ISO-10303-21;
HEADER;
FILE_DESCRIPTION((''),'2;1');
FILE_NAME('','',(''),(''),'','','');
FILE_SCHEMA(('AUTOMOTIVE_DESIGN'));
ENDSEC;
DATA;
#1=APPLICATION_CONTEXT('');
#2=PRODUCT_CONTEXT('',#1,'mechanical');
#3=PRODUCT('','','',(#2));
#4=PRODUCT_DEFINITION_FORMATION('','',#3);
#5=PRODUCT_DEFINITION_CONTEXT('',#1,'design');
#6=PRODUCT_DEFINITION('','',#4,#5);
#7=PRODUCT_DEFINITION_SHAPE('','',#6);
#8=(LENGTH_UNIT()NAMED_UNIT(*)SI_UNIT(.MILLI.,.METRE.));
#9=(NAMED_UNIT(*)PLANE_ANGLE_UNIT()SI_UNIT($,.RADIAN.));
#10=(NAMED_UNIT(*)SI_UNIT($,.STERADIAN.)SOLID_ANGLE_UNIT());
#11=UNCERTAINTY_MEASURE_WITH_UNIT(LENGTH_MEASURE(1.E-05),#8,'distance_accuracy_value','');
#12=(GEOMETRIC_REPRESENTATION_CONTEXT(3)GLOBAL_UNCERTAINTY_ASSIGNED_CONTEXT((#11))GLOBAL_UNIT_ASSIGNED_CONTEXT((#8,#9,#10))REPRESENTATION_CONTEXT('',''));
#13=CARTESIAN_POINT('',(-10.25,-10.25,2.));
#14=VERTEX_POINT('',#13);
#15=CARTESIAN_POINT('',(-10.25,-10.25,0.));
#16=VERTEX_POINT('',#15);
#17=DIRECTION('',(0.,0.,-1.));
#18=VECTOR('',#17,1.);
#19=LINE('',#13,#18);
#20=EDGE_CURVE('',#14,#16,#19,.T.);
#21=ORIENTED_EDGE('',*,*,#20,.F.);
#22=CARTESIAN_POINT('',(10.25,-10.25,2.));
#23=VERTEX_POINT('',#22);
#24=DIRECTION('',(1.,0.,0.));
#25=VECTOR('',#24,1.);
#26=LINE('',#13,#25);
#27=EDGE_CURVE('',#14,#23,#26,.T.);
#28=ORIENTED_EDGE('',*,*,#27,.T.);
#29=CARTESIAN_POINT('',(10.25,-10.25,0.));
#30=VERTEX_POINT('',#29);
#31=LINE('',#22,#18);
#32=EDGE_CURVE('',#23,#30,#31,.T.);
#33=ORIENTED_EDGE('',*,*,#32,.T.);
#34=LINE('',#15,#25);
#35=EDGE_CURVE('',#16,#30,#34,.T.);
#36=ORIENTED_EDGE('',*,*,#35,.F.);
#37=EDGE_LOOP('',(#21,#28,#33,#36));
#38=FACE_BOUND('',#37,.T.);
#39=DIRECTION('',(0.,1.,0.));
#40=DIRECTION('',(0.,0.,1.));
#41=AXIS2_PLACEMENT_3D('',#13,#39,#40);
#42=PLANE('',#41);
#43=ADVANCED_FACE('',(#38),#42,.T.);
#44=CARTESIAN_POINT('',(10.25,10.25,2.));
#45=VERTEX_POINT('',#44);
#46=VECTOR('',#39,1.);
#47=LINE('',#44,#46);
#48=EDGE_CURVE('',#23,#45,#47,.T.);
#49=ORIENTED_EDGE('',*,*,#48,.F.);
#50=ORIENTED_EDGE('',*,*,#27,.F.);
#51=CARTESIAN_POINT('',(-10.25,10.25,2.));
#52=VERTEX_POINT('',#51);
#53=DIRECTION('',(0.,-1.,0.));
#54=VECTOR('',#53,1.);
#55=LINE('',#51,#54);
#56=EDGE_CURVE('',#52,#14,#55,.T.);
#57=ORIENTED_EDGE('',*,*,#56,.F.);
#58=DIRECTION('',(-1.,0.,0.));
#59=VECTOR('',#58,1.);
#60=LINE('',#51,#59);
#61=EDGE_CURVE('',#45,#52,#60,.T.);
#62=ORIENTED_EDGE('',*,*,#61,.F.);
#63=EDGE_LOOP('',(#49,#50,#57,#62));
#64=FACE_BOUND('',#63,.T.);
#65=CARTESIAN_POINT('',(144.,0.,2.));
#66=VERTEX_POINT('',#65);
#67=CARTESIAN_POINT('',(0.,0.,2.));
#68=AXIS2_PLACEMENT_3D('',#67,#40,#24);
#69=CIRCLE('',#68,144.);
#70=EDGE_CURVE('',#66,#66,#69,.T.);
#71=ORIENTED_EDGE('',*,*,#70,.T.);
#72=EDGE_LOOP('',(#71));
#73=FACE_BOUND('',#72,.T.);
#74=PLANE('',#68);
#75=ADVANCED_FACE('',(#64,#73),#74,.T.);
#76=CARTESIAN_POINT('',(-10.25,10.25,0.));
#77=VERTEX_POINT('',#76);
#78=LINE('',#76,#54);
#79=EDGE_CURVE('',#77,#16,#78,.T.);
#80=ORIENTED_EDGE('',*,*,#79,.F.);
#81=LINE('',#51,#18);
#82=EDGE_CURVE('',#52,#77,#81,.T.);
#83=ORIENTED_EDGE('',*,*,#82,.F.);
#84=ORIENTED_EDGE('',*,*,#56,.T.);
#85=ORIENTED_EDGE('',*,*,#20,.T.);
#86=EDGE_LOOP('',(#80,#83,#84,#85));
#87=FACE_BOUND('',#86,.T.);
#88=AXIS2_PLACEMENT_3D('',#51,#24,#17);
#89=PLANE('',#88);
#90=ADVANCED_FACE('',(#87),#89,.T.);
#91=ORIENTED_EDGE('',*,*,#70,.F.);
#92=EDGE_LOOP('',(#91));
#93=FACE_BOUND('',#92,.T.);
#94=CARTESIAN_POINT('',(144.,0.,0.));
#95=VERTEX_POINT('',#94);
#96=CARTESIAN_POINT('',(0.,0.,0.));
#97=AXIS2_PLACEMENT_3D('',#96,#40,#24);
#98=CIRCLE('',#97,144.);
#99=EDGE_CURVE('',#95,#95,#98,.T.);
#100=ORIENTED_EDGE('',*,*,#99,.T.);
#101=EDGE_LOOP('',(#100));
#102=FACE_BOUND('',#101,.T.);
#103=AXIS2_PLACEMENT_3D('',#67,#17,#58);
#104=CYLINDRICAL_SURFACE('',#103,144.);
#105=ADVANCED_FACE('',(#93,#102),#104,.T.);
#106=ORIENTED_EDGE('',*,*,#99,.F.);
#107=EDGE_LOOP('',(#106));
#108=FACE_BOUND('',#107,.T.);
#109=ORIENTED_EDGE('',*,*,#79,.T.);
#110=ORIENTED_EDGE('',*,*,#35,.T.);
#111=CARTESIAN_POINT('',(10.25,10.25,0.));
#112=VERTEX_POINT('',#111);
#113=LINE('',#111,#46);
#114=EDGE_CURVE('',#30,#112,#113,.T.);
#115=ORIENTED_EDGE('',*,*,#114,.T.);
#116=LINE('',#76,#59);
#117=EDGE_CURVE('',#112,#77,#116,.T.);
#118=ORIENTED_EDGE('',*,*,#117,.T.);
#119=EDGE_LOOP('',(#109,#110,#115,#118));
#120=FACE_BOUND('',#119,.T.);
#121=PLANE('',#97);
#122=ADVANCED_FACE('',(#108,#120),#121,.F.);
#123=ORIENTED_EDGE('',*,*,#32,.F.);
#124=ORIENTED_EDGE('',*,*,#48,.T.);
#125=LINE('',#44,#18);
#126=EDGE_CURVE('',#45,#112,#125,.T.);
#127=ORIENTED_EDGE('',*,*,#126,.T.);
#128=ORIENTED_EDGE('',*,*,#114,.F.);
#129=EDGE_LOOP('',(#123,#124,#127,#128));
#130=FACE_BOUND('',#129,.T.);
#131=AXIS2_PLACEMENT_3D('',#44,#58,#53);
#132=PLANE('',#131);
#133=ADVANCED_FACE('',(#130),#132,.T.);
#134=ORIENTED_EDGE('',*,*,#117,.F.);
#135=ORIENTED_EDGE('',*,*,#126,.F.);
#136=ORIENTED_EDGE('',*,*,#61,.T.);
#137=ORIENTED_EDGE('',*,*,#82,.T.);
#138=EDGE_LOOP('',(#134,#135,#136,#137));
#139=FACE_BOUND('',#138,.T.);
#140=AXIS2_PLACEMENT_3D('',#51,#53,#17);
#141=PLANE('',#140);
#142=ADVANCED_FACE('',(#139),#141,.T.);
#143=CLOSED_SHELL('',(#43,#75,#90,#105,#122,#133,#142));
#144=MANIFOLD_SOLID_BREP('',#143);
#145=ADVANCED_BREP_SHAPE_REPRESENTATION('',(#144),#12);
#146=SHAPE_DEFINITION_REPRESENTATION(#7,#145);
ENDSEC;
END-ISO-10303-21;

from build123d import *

# Parameters (mm, degrees)
SKETCH1_R           = 144
SKETCH1_W           = 20.5
SKETCH1_H           = 20.5
BOSS_EXTRUDE1_DEPTH = 2


with BuildPart() as part:
    # Sketch1 → Boss-Extrude1 (new body)
    with BuildSketch(Plane.XY):
        Circle(SKETCH1_R)
        Rectangle(SKETCH1_W, SKETCH1_H, mode=Mode.SUBTRACT)
    extrude(amount=BOSS_EXTRUDE1_DEPTH)


solid = part.part
